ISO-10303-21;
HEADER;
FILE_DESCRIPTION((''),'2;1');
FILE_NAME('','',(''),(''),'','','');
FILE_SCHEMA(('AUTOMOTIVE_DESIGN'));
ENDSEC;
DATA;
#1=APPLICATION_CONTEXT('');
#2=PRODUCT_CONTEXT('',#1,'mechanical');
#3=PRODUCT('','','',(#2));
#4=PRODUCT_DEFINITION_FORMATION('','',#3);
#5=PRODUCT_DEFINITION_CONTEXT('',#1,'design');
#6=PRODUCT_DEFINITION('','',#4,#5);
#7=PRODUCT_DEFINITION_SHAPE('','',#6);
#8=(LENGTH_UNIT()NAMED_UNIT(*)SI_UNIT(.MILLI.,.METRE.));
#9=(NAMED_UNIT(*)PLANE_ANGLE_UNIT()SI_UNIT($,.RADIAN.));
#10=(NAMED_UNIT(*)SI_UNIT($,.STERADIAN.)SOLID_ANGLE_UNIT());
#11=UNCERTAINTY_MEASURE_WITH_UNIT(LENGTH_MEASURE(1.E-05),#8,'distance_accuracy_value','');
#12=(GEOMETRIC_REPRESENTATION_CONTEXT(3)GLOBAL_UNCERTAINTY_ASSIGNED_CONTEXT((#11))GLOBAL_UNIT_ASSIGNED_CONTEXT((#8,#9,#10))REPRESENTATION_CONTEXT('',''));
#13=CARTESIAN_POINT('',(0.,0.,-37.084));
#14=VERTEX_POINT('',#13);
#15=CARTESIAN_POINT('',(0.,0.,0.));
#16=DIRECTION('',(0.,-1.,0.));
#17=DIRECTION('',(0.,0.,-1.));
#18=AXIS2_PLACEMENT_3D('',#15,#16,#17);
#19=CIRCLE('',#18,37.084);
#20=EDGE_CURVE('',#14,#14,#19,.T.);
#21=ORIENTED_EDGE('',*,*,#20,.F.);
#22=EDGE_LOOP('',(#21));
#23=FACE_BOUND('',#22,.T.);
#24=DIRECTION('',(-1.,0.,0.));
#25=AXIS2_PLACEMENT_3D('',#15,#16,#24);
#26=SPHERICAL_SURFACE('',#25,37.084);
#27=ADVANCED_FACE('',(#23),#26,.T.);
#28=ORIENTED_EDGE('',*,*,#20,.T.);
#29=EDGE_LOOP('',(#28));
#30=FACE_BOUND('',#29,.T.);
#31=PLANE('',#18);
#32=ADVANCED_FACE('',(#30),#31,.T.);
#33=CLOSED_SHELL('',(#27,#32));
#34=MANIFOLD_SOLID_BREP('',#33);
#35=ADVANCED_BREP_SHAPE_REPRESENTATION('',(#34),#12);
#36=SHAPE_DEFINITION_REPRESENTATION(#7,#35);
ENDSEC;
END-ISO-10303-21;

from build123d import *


with BuildPart() as part:
    # Sketch1 → Revolve1 (revolve)
    with BuildSketch(Plane.XY):
        with BuildLine():
            Line((0, 0), (0, 37.084))
            ThreePointArc((0, 37.084), (-26.222347874, 26.222347874), (-37.084, 0))
            Line((-37.084, 0), (0, 0))
        make_face()
    revolve(axis=Axis((0, 0, 0), (0, 1, 0)))


solid = part.part
